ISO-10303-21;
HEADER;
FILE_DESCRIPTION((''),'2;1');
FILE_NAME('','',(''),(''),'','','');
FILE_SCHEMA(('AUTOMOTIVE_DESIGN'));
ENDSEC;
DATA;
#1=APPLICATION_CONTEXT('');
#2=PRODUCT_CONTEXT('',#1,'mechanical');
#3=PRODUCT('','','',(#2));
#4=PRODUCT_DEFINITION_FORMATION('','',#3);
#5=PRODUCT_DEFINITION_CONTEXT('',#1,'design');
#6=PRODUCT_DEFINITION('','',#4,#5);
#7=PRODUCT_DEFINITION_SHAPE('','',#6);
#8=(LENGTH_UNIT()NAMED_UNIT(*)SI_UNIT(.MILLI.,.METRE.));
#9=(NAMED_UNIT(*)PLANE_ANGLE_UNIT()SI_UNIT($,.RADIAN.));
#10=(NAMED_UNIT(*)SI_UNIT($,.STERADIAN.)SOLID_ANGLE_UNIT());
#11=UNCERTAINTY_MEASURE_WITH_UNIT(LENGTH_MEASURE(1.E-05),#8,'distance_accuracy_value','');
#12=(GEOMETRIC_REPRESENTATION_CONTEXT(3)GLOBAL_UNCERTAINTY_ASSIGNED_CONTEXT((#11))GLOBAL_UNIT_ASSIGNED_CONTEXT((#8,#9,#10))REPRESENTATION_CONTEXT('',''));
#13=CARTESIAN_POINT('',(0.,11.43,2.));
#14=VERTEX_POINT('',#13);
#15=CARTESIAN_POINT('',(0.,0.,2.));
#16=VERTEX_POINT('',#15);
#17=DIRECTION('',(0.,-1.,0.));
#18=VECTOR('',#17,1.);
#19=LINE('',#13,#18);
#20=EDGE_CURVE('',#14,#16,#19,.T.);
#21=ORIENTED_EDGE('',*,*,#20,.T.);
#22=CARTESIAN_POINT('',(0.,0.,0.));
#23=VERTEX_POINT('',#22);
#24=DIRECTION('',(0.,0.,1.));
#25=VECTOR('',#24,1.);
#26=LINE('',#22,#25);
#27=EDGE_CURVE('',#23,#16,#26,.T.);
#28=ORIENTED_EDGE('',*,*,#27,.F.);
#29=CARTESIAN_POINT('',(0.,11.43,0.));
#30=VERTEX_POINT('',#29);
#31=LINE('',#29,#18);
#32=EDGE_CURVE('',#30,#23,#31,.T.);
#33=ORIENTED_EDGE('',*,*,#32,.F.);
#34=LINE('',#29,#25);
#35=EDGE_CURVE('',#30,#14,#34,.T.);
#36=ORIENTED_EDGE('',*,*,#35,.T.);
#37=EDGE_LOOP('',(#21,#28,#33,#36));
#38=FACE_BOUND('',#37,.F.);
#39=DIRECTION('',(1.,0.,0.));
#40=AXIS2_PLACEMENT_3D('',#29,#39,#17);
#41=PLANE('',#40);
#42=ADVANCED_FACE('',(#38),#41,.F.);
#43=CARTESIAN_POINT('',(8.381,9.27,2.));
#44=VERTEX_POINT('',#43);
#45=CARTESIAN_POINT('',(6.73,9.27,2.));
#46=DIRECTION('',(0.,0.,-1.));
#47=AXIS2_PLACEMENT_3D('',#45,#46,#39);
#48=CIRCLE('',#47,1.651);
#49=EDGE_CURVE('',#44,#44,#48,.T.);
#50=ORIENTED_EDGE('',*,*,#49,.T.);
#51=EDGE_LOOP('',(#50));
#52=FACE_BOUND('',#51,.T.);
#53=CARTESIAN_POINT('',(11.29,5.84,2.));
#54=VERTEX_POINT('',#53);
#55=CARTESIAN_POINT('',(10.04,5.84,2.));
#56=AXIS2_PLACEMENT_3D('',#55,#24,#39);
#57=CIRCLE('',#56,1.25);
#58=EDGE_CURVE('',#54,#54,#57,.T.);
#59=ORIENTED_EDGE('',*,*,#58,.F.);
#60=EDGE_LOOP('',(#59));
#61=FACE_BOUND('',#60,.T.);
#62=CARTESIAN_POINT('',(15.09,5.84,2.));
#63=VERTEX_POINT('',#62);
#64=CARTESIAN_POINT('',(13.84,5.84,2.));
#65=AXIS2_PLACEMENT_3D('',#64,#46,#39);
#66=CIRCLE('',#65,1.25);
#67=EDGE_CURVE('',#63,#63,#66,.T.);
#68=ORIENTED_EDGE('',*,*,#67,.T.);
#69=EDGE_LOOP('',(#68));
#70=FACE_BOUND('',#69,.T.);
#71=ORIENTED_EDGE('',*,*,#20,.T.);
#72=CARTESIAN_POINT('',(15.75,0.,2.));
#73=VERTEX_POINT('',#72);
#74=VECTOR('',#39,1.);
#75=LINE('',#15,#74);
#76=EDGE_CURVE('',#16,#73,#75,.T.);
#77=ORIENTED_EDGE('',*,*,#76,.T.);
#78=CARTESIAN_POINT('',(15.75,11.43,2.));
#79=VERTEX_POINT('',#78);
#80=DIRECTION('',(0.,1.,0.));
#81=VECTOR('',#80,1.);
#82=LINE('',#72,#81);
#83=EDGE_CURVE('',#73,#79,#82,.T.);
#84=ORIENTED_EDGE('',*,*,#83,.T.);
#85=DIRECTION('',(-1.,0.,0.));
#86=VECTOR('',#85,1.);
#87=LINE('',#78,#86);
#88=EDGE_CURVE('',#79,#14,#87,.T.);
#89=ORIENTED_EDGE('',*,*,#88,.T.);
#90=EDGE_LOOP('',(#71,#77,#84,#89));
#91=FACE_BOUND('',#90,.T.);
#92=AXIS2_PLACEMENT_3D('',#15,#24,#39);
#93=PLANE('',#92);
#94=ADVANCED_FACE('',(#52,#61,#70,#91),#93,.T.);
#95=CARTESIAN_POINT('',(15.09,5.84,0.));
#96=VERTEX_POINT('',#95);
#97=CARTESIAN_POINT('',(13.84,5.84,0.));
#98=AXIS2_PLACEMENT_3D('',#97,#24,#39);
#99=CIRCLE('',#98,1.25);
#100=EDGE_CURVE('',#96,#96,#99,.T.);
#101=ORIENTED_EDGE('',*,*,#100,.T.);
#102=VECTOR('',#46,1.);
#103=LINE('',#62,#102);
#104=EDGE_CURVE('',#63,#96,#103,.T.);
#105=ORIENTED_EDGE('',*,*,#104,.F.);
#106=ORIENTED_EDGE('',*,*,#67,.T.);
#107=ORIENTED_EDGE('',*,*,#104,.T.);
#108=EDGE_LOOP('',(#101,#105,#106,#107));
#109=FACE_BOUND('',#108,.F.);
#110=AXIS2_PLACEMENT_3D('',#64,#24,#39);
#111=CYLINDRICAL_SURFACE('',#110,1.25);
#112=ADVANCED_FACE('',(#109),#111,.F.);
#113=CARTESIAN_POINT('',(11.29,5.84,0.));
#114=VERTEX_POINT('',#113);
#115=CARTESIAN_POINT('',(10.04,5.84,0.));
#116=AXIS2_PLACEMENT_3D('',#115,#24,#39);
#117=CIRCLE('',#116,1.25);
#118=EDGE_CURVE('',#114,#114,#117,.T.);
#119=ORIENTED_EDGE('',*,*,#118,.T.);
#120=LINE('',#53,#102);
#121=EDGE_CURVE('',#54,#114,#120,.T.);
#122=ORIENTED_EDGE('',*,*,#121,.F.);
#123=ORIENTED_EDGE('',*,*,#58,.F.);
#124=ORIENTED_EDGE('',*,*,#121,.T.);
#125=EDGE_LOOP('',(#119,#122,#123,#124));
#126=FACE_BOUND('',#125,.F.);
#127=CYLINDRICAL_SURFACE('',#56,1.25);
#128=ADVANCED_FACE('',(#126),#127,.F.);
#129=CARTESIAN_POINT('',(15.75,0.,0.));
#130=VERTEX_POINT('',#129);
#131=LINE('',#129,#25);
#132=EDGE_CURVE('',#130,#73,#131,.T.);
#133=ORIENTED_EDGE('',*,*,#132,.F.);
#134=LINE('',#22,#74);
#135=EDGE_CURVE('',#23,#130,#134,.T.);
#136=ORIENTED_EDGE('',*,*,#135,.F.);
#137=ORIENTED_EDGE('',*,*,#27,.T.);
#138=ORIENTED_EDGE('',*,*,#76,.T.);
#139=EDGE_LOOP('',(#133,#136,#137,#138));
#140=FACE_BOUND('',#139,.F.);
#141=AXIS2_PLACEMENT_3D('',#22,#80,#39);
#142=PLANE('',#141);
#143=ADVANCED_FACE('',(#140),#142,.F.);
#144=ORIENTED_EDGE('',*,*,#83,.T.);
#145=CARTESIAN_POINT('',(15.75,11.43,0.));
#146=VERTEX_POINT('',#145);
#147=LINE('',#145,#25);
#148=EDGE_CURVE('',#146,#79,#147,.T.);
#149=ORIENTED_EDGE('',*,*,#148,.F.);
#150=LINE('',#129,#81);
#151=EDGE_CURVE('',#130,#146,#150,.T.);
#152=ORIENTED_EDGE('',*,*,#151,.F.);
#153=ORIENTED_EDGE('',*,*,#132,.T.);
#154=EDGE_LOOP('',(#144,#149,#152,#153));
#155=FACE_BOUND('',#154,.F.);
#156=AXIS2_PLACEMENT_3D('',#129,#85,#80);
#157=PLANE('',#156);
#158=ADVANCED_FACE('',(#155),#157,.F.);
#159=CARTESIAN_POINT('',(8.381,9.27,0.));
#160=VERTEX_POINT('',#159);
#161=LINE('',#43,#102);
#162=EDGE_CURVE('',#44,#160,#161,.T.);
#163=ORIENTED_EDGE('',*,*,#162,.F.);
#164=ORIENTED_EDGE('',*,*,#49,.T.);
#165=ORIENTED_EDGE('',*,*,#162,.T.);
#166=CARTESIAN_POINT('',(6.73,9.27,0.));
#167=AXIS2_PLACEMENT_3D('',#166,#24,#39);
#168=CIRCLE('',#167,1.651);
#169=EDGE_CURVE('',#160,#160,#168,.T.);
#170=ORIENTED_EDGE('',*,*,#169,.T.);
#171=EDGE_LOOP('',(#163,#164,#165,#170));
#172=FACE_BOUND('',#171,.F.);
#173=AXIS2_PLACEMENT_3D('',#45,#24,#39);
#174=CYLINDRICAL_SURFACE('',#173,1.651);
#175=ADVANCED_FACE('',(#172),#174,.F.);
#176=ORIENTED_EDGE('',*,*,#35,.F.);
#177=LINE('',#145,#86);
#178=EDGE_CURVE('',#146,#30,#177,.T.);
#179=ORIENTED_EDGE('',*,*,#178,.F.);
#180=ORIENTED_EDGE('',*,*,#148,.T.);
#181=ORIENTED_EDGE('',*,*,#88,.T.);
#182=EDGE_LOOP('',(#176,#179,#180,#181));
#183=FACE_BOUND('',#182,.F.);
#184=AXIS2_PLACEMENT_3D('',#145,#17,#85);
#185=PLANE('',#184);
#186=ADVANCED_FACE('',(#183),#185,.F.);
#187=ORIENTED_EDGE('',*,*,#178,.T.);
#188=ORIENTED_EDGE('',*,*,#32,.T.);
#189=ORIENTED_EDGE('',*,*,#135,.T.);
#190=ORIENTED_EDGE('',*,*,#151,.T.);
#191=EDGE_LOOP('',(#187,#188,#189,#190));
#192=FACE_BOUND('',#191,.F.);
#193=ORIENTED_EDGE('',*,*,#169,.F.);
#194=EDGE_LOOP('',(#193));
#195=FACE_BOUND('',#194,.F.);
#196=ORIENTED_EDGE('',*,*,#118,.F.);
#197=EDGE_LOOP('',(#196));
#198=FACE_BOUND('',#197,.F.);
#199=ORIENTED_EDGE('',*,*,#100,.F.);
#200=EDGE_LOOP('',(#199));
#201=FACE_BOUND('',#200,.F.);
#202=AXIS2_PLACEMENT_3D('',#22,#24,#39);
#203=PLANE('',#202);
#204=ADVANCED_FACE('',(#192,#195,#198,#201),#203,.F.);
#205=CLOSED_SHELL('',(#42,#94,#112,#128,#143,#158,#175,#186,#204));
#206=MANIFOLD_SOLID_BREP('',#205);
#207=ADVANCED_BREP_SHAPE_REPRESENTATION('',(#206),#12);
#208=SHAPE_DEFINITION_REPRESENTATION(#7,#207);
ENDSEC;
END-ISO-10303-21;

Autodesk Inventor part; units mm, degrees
ref_plane "YZ Plane" through (0, 0, 0) normal (1, 0, 0) x (0, 1, 0)
ref_plane "XZ Plane" through (0, 0, 0) normal (0, 1, 0) x (-1, 0, 0)
ref_plane "XY Plane" through (0, 0, 0) normal (0, 0, 1) x (1, 0, 0)
sketch "Sketch1" plane through (0, 0, 0) normal (0, 0, 1) x (1, 0, 0)
  point P0 (0, 0)
sketch "Sketch2" plane through (0, 0, 0) normal (0, 0, 1) x (1, 0, 0)
  line L0 (0, 0) -> (15.75, 0)
  line L1 (15.75, 0) -> (15.75, 11.43)
  line L2 (15.75, 11.43) -> (0, 11.43)
  line L3 (0, 11.43) -> (0, 0)
  dimension "d0" = 15.75
  dimension "d1" = 11.43
extrude "Extrusion1" add sketch "Sketch2" along normal blind 2
sketch "Sketch3" plane through (0, 0, 2) normal (0, 0, 1) x (1, 0, 0)
  line L0 (15.75, 11.43) -> (0, 11.43) projected
  line L1 (0, 11.43) -> (6.73, 11.43)
  line L2 (0, 11.43) -> (6.73, 11.43) construction
  line L3 (6.73, 11.43) -> (6.73, 9.27)
  circle A0 centre (6.73, 9.27) radius 1.651
  line L4 (15.75, 11.43) -> (13.84, 11.43)
  line L5 (15.75, 11.43) -> (17.66, 11.43) construction
  line L6 (13.84, 11.43) -> (13.84, 5.84)
  line L7 (13.84, 5.84) -> (10.04, 5.84)
  circle A1 centre (10.04, 5.84) radius 1.25
  circle A2 centre (13.84, 5.84) radius 1.25
  point P0 (0, 0)
  dimension "d4" = 6.73
  dimension "d5" = 0
  dimension "d6" = 2.16
  dimension "d7" = 90
  dimension "d8" = 3.302
  dimension "d9" = 1.91
  dimension "d10" = 180
  dimension "d11" = 5.59
  dimension "d12" = 90
  dimension "d13" = 3.8
  dimension "d14" = 90
  dimension "d15" = 2.5
  dimension "d16" = 2.5
extrude "Extrusion2" cut sketch "Sketch3" against normal blind 2
properties part number "SensorPCB"
